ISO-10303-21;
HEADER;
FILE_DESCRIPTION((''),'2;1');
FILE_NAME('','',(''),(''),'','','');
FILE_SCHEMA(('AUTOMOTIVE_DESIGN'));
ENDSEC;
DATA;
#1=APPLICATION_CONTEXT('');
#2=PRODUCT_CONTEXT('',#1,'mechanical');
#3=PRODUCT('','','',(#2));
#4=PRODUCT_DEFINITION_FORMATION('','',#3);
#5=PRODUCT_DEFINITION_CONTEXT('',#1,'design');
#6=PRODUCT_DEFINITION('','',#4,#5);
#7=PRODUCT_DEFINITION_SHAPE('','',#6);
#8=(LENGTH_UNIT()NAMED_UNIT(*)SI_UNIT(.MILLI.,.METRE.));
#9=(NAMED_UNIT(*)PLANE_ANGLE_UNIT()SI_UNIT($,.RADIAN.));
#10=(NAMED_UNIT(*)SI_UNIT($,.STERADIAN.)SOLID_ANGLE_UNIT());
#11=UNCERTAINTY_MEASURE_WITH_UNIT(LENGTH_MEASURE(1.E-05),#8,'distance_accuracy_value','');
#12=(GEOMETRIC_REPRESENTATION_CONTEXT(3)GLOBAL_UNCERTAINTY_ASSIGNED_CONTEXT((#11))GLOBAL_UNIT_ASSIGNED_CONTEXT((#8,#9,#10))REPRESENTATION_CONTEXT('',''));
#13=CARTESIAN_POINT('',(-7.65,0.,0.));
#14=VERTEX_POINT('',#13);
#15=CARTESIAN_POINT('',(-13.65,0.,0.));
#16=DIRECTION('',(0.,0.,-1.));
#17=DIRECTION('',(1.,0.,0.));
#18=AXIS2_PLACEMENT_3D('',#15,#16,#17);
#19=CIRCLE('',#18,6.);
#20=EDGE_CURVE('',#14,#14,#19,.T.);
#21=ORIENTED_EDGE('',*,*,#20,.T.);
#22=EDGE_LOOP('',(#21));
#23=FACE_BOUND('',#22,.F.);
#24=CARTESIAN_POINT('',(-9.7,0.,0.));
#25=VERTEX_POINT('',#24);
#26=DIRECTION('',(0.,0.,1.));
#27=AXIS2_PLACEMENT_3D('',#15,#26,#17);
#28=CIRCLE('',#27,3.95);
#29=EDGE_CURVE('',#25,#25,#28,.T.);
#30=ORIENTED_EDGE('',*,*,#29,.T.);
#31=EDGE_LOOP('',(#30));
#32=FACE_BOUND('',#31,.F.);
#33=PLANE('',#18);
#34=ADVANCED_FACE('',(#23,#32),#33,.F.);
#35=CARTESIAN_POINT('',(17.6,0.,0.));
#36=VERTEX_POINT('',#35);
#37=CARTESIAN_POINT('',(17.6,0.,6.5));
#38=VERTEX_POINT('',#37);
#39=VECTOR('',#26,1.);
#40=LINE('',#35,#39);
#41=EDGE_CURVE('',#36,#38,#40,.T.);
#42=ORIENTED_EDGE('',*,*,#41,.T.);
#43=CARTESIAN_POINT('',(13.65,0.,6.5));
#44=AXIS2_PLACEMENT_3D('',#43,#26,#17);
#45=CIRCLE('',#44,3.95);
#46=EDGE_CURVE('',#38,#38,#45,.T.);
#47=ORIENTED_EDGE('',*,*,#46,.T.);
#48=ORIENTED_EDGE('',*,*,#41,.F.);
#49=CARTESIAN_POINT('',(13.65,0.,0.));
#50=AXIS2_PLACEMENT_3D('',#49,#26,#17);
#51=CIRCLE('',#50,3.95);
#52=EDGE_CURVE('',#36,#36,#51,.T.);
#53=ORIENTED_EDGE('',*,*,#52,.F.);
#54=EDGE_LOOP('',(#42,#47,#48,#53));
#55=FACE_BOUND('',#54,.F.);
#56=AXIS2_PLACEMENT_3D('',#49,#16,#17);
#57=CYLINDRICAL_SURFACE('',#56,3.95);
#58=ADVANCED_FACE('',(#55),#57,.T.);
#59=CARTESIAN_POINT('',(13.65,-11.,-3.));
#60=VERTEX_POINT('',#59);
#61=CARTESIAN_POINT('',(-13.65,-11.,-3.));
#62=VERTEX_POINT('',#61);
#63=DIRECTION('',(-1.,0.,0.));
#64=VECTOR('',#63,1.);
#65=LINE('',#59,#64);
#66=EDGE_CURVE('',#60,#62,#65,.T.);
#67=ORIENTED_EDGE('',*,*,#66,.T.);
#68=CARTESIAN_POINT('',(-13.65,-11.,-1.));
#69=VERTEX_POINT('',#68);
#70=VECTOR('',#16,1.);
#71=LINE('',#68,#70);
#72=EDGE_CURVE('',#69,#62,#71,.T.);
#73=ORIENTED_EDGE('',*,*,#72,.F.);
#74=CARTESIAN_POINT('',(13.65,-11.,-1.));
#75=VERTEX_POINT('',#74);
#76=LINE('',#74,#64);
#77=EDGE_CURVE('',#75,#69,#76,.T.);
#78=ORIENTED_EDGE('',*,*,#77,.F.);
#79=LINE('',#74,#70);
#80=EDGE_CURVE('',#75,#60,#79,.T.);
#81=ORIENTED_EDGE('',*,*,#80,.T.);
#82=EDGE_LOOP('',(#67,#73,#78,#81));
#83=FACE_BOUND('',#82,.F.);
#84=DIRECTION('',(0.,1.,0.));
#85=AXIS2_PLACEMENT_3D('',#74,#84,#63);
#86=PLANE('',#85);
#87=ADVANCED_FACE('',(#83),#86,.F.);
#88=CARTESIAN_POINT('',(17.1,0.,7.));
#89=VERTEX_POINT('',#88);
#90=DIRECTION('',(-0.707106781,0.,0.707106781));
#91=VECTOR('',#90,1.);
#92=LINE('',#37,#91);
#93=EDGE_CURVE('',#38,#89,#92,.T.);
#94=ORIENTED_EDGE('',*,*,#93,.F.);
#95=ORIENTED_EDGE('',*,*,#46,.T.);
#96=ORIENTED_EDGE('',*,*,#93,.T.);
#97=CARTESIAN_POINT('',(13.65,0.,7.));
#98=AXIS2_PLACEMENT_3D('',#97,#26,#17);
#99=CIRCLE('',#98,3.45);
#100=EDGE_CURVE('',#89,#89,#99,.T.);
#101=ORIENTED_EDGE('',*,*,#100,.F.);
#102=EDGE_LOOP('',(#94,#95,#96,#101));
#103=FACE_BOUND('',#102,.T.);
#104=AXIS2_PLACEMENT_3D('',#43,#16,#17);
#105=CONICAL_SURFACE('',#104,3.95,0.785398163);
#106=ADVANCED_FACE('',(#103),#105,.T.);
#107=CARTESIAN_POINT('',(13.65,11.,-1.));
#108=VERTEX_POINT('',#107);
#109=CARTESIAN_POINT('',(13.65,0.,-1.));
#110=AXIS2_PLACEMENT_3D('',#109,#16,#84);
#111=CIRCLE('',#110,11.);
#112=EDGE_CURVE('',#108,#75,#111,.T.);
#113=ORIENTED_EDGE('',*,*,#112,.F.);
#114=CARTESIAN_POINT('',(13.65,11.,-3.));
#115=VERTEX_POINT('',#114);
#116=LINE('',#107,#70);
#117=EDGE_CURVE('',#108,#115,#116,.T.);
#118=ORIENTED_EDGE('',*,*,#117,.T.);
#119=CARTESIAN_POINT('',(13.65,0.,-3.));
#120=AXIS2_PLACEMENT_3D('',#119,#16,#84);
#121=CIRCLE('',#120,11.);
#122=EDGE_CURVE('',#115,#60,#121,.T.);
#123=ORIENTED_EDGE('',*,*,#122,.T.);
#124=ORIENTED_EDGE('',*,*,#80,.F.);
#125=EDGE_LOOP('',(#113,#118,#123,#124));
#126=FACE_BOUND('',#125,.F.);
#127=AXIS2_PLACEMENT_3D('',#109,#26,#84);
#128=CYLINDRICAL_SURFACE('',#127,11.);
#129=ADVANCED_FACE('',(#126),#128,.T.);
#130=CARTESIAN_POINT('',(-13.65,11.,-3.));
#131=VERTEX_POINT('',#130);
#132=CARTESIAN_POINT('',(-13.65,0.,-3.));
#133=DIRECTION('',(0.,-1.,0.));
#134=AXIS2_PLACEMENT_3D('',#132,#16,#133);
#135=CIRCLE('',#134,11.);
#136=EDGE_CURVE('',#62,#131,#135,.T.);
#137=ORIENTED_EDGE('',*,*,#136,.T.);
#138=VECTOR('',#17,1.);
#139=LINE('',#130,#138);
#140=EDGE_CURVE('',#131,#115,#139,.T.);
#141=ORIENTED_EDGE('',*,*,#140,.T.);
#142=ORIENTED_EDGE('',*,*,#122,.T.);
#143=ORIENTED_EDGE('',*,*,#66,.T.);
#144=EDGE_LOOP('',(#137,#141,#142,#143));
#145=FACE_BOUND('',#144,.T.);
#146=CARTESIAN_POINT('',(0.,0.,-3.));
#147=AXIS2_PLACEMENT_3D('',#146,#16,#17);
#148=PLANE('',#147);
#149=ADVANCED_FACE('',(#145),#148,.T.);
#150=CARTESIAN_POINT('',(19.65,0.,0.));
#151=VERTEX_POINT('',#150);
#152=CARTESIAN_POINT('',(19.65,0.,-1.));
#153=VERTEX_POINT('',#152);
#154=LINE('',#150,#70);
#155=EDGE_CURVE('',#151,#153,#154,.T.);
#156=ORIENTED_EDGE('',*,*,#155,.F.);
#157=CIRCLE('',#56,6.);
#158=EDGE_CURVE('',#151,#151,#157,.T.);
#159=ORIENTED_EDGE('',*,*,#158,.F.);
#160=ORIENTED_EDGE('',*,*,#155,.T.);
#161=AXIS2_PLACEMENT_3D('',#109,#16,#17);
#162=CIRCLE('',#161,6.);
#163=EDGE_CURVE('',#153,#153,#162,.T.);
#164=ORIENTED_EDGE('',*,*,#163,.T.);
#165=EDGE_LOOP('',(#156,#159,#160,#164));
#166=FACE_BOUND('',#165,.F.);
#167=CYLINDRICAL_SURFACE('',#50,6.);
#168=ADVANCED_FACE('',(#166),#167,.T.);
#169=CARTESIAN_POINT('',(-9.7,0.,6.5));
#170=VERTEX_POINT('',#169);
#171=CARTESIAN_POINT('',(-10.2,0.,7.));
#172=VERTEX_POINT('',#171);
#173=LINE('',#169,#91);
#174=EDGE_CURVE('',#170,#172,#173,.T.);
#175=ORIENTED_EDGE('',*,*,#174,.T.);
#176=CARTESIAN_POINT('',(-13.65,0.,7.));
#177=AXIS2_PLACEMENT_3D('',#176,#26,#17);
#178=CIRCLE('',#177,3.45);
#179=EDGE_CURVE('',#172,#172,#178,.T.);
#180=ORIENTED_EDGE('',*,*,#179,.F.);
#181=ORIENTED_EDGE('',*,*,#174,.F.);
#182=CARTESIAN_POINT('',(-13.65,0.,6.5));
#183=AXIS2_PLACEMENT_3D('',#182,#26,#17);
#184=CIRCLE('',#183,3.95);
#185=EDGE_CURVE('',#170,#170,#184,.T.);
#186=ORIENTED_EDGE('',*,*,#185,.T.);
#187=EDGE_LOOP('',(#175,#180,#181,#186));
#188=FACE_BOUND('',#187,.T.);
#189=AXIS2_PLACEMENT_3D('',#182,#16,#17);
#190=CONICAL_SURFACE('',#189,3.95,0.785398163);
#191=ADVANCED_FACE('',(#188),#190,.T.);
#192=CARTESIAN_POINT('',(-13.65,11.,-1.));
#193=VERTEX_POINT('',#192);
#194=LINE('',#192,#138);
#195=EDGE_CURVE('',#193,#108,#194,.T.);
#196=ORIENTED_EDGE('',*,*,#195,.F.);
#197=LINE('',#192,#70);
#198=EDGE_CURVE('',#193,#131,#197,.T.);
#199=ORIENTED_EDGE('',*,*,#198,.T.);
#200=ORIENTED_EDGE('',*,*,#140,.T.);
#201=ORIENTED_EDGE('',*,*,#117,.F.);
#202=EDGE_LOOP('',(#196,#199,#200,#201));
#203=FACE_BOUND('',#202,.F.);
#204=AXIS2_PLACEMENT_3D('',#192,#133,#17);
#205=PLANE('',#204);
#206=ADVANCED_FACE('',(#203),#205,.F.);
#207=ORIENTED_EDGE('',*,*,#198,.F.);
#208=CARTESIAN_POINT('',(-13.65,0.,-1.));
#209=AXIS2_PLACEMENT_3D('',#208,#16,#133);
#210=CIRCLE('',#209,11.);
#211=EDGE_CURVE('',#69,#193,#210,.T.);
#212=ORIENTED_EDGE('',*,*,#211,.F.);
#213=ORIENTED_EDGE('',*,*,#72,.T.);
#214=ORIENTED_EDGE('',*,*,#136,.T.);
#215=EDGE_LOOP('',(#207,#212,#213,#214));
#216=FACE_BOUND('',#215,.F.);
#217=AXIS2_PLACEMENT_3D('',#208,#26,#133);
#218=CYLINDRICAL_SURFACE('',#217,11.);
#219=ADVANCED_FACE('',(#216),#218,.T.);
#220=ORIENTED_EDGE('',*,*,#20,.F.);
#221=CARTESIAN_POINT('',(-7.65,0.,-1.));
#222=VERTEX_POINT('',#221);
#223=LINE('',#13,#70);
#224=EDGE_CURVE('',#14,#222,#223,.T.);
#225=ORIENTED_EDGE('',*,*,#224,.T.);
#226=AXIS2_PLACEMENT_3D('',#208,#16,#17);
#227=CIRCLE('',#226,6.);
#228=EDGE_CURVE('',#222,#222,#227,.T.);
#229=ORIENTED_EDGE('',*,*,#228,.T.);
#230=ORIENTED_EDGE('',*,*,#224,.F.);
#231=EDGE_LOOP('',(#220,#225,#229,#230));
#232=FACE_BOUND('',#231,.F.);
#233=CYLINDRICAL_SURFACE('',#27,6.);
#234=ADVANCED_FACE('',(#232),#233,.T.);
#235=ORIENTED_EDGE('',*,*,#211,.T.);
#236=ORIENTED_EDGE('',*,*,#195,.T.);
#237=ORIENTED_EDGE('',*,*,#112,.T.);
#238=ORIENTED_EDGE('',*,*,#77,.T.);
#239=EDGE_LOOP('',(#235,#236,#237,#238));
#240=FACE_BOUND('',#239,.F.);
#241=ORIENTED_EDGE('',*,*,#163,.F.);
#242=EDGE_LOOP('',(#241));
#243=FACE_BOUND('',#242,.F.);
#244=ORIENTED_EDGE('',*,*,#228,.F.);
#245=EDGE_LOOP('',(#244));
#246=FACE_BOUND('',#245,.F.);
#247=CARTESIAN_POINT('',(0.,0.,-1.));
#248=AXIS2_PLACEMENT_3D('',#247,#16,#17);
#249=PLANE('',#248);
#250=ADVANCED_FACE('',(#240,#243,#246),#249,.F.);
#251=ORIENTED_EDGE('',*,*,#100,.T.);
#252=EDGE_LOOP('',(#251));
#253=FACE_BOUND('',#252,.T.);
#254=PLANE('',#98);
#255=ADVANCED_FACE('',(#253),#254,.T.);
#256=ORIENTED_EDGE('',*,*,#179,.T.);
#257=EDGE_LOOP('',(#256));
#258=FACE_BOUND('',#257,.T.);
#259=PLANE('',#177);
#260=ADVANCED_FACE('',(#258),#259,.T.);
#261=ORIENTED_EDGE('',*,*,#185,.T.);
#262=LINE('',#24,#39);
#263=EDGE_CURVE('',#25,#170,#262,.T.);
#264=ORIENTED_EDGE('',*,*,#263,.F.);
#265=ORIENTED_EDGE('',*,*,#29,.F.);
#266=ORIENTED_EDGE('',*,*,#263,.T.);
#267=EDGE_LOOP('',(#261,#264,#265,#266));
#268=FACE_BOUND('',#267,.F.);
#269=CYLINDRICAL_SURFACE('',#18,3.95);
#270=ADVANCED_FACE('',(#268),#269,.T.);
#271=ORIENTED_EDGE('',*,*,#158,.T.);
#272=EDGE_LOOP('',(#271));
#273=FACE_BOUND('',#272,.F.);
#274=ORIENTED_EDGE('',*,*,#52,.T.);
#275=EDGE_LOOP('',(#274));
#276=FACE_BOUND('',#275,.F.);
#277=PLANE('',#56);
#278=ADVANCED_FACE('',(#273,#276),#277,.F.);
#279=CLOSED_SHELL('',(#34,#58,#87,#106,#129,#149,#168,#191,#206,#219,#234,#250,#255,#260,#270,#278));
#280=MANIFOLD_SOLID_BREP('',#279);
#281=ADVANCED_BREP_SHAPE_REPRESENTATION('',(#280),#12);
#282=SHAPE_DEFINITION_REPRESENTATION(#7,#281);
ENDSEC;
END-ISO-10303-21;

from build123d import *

# Parameters (mm, degrees)
F1_R     = 3.95
F2_DEPTH = 7
F3_R     = 6
F4_DEPTH = 1
F6_DEPTH = 2
F7_SIZE  = 0.5


with BuildPart() as f2:
    # F1 (on Top) → F2 (new body)
    with BuildSketch(Plane.XY):
        with Locations((-13.65, 0)):
            Circle(F1_R)
        with Locations((13.65, 0)):
            Circle(F1_R)
    extrude(amount=F2_DEPTH)

    # F3 (on face) → F4 (join)
    with BuildSketch(Plane(origin=(0, 0, 0), x_dir=(1, 0, 0), z_dir=(0, 0, -1))):
        with Locations((13.65, 0)):
            Circle(F3_R)
        with Locations((-13.65, 0)):
            Circle(F3_R)
    extrude(amount=F4_DEPTH)

    # F5 (on face) → F6 (join)
    with BuildSketch(Plane(origin=(0, 0, -1), x_dir=(1, 0, 0), z_dir=(0, 0, -1))):
        with BuildLine():
            ThreePointArc((-13.65, 11), (-24.65, 0), (-13.65, -11))
            Line((-13.65, -11), (13.65, -11))
            ThreePointArc((13.65, -11), (24.65, 0), (13.65, 11))
            Line((13.65, 11), (-13.65, 11))
        make_face()
    extrude(amount=F6_DEPTH)

    # F7
    f7_edges = [f2.edges().sort_by_distance(p)[0] for p in [
        (-17.6, 0, 7),
        (9.7, 0, 7),
    ]]
    chamfer(f7_edges, length=F7_SIZE)


solid = f2.part
